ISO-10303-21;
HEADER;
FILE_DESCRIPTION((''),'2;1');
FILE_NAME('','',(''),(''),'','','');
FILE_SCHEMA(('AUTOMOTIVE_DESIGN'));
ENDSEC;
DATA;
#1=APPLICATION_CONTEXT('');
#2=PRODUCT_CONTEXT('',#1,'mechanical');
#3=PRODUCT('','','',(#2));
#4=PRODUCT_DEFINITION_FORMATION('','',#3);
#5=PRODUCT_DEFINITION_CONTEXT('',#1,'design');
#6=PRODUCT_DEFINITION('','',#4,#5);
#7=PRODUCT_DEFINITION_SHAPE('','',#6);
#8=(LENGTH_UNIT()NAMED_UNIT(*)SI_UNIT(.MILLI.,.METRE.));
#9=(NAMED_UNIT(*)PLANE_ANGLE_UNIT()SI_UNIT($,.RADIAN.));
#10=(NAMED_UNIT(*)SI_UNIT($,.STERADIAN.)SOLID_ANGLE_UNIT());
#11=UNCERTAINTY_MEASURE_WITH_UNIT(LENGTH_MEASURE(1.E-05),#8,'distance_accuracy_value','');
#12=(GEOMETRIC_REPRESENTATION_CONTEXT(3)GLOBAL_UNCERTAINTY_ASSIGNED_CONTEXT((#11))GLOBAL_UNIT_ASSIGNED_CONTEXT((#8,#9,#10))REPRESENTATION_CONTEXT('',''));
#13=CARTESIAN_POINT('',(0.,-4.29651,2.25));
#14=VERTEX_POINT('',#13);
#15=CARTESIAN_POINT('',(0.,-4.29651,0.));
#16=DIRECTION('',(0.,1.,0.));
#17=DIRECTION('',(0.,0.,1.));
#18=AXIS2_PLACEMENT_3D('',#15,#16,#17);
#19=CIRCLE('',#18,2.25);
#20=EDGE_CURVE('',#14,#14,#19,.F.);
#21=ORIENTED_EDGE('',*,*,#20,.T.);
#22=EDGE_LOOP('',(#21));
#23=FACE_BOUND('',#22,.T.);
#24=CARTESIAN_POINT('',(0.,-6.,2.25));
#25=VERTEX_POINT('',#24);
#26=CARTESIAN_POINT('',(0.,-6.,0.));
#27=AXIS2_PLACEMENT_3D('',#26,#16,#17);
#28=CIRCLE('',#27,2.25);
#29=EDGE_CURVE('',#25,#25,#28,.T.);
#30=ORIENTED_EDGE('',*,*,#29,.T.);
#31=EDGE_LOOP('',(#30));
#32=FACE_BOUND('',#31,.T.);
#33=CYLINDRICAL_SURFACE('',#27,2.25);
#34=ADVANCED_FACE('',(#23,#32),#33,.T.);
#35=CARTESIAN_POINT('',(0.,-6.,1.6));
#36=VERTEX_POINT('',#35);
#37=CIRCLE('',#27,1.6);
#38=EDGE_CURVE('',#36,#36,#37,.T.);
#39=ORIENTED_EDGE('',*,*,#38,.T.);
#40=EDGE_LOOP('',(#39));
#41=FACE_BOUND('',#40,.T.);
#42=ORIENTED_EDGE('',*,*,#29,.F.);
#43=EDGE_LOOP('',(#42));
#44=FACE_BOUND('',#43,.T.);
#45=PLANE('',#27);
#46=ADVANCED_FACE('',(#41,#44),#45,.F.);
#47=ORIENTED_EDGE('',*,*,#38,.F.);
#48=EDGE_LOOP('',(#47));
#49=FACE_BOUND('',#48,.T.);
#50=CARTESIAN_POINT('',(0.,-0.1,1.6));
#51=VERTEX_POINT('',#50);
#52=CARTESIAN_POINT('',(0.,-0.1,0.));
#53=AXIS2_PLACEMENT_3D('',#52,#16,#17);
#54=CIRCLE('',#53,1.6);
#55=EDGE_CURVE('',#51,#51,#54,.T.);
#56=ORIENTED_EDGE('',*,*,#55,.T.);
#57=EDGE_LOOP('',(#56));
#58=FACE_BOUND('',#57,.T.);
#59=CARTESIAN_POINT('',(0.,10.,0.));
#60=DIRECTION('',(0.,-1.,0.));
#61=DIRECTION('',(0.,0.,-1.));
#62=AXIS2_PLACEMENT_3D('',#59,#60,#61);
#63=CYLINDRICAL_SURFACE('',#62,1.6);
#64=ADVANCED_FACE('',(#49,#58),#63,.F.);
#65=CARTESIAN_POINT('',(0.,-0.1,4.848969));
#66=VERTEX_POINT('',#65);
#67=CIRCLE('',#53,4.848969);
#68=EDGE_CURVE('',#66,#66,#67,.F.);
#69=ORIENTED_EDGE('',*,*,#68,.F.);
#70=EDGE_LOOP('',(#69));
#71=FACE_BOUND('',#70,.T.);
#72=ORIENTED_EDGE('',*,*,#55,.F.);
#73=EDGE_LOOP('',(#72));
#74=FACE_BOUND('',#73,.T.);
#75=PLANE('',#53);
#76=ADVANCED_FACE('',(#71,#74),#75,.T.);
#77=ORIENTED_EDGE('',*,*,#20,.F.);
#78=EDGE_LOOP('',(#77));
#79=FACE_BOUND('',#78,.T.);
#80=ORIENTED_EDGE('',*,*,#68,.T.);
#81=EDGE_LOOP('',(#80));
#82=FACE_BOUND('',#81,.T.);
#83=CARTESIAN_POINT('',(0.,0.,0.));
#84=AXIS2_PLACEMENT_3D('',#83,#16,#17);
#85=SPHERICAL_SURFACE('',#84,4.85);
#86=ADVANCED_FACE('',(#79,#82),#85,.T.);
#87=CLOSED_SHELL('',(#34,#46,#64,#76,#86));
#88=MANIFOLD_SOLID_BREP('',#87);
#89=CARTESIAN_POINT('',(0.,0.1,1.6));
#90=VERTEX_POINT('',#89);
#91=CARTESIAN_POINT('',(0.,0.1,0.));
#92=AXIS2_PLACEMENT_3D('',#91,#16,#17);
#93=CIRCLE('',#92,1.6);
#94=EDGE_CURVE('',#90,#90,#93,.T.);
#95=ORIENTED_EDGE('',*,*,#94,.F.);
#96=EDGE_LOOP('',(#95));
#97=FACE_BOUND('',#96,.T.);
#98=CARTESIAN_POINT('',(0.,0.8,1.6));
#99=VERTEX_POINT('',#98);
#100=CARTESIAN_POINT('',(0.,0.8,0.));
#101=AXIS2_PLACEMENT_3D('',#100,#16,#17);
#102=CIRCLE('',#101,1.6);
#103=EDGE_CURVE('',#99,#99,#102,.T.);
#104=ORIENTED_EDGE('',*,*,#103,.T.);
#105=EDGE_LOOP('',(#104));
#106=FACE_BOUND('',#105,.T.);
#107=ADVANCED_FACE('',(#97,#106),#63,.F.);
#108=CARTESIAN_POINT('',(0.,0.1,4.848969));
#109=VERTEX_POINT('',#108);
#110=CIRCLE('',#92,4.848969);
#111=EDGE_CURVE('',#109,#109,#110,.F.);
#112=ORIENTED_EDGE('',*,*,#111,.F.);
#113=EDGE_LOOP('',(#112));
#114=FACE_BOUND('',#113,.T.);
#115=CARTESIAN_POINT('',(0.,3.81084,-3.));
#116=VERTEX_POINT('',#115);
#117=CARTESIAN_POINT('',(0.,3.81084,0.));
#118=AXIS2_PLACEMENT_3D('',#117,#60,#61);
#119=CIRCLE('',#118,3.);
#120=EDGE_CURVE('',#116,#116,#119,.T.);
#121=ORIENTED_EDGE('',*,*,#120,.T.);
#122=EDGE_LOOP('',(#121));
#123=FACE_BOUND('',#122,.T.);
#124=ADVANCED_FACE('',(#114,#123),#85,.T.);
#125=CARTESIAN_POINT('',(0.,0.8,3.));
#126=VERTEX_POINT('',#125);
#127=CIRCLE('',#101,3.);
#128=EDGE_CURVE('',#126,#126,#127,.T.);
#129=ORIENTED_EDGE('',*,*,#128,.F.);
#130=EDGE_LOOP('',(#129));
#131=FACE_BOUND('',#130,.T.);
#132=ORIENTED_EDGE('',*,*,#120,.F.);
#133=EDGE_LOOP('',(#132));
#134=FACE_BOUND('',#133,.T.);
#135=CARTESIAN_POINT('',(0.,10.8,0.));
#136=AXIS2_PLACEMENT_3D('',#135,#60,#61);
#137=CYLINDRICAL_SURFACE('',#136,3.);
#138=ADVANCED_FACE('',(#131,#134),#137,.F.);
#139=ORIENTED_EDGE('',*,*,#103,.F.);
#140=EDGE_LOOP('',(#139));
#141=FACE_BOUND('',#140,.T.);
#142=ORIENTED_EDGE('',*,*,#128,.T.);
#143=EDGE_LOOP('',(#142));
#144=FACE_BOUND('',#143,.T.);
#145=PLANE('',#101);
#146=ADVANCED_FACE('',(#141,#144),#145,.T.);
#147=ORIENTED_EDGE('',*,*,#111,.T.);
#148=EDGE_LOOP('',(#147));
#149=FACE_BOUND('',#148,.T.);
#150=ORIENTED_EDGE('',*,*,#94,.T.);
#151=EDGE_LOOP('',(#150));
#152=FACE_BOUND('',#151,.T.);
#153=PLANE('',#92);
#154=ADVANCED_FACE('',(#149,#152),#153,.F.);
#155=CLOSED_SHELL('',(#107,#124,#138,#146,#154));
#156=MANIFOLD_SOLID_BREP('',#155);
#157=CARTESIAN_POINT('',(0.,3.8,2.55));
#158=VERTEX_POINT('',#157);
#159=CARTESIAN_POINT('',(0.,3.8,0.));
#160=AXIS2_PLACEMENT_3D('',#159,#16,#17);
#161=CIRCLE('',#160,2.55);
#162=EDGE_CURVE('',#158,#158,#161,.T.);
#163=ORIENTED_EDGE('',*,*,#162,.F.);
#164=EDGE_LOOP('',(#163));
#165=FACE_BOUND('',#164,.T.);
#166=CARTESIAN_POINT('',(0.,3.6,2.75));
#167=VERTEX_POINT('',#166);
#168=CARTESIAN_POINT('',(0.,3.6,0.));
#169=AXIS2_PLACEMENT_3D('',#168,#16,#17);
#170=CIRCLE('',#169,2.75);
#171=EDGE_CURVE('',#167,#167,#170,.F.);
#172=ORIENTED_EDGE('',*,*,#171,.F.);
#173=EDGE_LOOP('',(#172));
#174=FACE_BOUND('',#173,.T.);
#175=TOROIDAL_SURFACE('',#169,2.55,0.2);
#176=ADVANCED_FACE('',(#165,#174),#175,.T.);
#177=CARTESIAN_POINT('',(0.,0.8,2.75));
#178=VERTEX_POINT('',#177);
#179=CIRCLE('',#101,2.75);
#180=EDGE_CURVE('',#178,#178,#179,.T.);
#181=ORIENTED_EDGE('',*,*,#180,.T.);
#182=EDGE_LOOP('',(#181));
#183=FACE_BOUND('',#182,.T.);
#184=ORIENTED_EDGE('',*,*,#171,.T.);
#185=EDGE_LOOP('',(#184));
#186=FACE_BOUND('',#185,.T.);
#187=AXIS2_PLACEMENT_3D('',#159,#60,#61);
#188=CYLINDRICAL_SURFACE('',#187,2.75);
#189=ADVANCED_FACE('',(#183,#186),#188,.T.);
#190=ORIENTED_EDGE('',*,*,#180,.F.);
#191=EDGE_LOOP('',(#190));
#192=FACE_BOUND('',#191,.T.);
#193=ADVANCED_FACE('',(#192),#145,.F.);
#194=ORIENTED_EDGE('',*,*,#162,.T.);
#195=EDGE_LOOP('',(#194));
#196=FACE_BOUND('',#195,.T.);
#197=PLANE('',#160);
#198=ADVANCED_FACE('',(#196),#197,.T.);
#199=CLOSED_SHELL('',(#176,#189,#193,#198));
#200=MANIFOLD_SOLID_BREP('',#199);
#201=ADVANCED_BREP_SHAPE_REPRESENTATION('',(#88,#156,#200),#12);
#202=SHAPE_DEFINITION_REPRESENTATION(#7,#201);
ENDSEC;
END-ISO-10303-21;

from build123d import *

# Parameters (mm, degrees)
CUT_EXTRUDE1_DEPTH      = 10
CUT_EXTRUDE1_DEPTH_BACK = 10
SKETCH2_R               = 1.6
SKETCH3_R               = 3
CUT_EXTRUDE2_DEPTH      = 10
SKETCH4_R               = 2.75
BOSS_EXTRUDE1_DEPTH     = 3
FILLET1_R               = 0.2
SKETCH5_R               = 2.25
SKETCH5_R_2             = 1.6
BOSS_EXTRUDE2_DEPTH     = 6
SKETCH6_R               = 6.07528897
CUT_EXTRUDE3_DEPTH      = 0.1


with BuildPart() as part:
    # Sketch1 → Revolve1 (revolve)
    with BuildSketch(Plane(origin=(0, 0, 0), x_dir=(1, 0, 0), z_dir=(0, 1, 0))):
        with BuildLine():
            Line((0, -4.85), (0, 4.85))
            ThreePointArc((0, 4.85), (4.85, 0), (0, -4.85))
        make_face()
    revolve(axis=Axis((0, 0, 4.85), (0, 0, -1)))

    # Sketch2 → Cut-Extrude1 (cut, two sides: drawn at the far end of the back side and taken through both)
    with BuildSketch(Plane(origin=(0, 0, 0), x_dir=(1, 0, 0), z_dir=(0, 1, 0)).offset(-CUT_EXTRUDE1_DEPTH_BACK)):
        Circle(SKETCH2_R)
    extrude(amount=CUT_EXTRUDE1_DEPTH + CUT_EXTRUDE1_DEPTH_BACK, mode=Mode.SUBTRACT)

    # Sketch3 → Cut-Extrude2 (cut)
    with BuildSketch(Plane(origin=(0, 0.8, 0), x_dir=(1, 0, 0), z_dir=(0, 1, 0))):
        Circle(SKETCH3_R)
    extrude(amount=CUT_EXTRUDE2_DEPTH, mode=Mode.SUBTRACT)

    # Sketch5 → Boss-Extrude2 (add)
    with BuildSketch(Plane(origin=(0, 0, 0), x_dir=(1, 0, 0), z_dir=(0, 1, 0))):
        Circle(SKETCH5_R)
        Circle(SKETCH5_R_2, mode=Mode.SUBTRACT)
    extrude(amount=-BOSS_EXTRUDE2_DEPTH)

    # Sketch6 → Cut-Extrude3 (cut, symmetric)
    with BuildSketch(Plane(origin=(0, 0, 0), x_dir=(1, 0, 0), z_dir=(0, 1, 0))):
        Circle(SKETCH6_R)
    extrude(amount=CUT_EXTRUDE3_DEPTH, both=True, mode=Mode.SUBTRACT)


with BuildPart() as body_2:
    # Sketch4 → Boss-Extrude1 (new body)
    with BuildSketch(Plane(origin=(0, 0.8, 0), x_dir=(1, 0, 0), z_dir=(0, 1, 0))):
        Circle(SKETCH4_R)
    extrude(amount=BOSS_EXTRUDE1_DEPTH)

    # Fillet1
    fillet1_edges = [body_2.edges().sort_by_distance(p)[0] for p in [
        (-2.75, 3.8, 0),
    ]]
    fillet(fillet1_edges, radius=FILLET1_R)


with BuildPart() as cut_extrude3_piece_1:
    # of the separate pieces the step leaves, piece 1, a body of its own (cut_extrude3_pieces)
    add(part.part.solids().sort_by_distance((0, -0.1, 4.848968963))[0])


with BuildPart() as cut_extrude3_piece_2:
    # of the separate pieces the step leaves, piece 2, a body of its own (cut_extrude3_pieces)
    add(part.part.solids().sort_by_distance((0, 0.1, 4.848968963))[0])


solid = Compound([body_2.part, cut_extrude3_piece_1.part, cut_extrude3_piece_2.part])
